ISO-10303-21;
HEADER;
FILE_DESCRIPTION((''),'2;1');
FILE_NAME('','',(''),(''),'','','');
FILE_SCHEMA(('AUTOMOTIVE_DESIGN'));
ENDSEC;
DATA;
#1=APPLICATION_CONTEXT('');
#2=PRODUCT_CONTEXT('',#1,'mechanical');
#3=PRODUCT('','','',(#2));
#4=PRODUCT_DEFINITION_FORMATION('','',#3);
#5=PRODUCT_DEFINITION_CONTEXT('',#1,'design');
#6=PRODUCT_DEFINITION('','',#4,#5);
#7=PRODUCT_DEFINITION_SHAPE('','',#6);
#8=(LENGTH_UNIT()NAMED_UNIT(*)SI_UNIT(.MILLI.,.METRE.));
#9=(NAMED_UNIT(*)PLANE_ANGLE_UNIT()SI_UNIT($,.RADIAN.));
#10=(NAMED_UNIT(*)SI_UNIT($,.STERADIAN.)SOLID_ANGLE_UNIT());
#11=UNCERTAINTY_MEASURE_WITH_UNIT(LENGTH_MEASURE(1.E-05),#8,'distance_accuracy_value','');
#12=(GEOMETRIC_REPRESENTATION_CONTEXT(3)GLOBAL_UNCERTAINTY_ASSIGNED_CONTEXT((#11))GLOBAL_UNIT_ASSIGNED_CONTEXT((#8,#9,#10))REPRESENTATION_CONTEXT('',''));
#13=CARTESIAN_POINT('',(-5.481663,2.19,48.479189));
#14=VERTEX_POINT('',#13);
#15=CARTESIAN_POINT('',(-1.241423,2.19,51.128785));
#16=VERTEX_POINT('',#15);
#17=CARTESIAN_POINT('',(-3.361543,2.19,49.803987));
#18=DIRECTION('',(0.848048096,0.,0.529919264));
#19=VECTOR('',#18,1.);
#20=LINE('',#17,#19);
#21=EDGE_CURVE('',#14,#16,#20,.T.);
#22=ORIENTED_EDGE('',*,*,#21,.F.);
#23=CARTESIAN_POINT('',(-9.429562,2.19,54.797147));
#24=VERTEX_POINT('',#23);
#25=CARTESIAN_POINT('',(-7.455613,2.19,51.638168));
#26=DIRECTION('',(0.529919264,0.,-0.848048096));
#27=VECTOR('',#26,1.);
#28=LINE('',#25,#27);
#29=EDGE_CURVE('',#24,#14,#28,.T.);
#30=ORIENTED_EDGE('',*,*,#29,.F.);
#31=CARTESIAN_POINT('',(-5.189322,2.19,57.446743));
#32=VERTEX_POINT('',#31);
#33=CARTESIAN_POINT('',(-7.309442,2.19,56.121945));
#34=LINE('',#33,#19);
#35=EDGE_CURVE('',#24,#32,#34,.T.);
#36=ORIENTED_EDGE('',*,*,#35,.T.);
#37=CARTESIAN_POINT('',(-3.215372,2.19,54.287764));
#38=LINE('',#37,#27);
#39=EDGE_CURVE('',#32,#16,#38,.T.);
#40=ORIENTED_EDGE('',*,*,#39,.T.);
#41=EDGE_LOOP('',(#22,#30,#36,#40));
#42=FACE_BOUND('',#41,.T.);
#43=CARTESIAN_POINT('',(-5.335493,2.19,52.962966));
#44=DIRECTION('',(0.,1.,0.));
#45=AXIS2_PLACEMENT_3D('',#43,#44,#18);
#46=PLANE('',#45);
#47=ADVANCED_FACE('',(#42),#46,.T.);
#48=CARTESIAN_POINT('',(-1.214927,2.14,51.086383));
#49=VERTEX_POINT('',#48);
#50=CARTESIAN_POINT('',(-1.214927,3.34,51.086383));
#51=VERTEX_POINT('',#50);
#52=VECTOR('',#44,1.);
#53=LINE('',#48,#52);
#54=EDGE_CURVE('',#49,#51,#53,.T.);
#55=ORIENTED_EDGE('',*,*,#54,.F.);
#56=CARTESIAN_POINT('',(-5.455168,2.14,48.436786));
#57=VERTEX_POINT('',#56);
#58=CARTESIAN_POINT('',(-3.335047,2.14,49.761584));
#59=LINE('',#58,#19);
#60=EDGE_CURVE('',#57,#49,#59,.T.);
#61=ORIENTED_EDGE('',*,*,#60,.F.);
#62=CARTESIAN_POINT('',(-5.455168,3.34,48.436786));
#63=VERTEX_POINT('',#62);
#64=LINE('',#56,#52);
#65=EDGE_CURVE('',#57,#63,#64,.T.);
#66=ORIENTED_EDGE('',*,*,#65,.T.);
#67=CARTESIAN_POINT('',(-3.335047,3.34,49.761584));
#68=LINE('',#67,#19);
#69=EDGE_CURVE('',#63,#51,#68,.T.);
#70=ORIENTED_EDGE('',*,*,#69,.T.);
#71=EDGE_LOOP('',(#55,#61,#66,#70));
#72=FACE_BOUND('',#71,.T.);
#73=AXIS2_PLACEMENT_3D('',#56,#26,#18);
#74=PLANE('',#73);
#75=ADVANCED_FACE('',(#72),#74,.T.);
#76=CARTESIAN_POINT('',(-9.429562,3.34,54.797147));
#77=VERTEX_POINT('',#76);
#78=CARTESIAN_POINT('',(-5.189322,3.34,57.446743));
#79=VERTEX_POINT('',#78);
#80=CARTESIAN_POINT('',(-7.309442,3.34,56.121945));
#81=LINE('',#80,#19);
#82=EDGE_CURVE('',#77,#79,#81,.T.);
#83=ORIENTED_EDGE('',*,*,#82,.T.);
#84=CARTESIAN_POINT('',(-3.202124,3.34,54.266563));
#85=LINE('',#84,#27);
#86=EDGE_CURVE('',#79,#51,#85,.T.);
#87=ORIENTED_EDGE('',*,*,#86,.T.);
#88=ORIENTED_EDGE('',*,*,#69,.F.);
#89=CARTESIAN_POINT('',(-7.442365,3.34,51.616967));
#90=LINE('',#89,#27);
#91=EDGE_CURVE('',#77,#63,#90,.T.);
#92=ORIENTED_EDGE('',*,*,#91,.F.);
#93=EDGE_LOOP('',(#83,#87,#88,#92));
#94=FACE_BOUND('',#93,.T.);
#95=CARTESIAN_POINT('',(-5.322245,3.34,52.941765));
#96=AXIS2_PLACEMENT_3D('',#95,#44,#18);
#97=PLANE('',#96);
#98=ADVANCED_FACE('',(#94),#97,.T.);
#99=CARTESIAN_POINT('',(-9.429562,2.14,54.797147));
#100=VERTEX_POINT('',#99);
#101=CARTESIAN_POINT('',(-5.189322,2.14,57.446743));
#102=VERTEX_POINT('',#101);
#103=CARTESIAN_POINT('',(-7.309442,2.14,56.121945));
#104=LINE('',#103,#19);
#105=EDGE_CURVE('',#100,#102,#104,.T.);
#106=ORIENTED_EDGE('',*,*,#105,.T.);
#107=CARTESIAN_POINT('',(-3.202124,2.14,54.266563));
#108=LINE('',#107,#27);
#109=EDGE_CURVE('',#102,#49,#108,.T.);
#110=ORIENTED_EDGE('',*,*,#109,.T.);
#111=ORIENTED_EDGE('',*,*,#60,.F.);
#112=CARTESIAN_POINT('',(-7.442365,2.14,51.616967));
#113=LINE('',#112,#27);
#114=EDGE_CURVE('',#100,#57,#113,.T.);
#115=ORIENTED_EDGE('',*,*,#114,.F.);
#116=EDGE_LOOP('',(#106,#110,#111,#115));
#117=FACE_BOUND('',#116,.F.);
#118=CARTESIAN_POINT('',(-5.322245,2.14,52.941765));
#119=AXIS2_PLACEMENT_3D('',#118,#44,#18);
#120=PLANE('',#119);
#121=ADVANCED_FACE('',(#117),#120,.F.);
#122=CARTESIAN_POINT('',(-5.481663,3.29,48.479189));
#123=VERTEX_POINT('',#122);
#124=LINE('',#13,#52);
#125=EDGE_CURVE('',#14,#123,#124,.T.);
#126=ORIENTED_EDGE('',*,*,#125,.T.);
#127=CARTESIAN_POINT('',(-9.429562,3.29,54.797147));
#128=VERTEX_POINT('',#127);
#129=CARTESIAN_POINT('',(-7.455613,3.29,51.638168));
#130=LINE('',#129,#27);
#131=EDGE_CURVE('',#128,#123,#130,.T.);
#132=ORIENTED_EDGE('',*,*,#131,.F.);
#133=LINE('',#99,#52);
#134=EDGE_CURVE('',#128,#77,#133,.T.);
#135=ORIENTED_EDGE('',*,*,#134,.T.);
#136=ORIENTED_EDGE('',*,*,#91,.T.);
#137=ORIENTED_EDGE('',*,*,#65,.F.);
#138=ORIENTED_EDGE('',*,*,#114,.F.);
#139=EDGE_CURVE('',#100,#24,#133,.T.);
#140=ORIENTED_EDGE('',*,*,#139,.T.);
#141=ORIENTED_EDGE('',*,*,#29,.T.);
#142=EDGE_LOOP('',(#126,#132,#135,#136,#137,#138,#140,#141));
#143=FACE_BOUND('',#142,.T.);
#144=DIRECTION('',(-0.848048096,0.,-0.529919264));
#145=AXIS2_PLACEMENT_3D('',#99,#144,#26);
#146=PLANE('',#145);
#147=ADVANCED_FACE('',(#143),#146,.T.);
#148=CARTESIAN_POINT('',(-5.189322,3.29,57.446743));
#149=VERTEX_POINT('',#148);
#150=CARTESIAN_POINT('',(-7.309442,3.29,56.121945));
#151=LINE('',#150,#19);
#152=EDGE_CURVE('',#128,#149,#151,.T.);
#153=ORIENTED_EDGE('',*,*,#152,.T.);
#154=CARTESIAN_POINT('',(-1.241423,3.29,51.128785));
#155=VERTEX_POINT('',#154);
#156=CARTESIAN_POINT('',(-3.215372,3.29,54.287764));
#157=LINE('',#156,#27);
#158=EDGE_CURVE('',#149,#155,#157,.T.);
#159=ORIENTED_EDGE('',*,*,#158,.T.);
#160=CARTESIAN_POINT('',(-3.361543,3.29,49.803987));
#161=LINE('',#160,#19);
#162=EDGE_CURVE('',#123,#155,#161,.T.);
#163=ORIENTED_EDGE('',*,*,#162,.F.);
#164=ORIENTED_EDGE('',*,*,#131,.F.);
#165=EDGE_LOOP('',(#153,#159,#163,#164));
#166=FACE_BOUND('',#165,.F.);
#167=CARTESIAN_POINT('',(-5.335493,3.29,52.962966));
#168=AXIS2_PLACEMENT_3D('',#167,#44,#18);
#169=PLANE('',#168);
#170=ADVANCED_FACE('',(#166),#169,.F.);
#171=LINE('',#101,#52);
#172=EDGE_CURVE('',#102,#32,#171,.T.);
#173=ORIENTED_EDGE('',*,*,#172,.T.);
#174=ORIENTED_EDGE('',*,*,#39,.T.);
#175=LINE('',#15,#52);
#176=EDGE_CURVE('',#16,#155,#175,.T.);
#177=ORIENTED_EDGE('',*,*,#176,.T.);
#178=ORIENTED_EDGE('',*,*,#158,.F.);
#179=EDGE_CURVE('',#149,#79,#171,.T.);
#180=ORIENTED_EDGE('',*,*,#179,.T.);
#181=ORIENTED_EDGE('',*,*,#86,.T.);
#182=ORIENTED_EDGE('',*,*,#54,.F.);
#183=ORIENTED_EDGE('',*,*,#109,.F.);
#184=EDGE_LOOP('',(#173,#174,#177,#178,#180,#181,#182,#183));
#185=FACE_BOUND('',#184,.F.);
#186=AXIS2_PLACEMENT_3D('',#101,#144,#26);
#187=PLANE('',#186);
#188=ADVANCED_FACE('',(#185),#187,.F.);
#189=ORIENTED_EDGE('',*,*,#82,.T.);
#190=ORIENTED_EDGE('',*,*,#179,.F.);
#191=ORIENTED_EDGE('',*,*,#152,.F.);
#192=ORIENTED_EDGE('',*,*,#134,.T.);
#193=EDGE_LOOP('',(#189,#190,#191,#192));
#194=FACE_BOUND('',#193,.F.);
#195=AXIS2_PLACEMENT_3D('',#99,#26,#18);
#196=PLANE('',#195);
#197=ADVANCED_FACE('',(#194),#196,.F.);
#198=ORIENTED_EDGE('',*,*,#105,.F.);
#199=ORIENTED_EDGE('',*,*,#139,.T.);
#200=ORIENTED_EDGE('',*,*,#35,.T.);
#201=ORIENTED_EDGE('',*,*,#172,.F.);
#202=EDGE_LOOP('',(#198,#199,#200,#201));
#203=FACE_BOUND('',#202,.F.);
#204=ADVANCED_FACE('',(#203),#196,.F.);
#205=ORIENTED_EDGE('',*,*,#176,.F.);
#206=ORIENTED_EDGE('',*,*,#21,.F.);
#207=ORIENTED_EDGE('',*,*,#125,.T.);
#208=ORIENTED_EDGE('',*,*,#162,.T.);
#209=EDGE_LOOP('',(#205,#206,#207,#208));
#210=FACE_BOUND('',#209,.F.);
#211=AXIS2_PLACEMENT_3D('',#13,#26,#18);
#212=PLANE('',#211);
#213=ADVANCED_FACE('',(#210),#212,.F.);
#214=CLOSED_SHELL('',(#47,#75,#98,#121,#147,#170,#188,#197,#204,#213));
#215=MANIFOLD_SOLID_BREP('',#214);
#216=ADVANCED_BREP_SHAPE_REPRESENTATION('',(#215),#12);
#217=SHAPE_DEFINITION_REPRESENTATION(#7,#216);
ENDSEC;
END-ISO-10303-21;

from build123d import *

# Parameters (mm, degrees)
BOX139_W           = 5
BOX139_H           = 7.45
BOX139_DEPTH       = 1.1
BOX138_W           = 5
BOX138_H           = 7.5
BOX138_DEPTH       = 1.2
CUT062_ROLL_ANGLE  = -90
CUT062_PITCH_ANGLE = -32


with BuildPart() as small_cu_gnd_electrode054:
    # Box139 → Box139 (new body)
    with BuildSketch(Plane.XY.offset(0.05)):
        with Locations((2.5, 3.725)):
            Rectangle(BOX139_W, BOX139_H)
    extrude(amount=BOX139_DEPTH)


with BuildPart() as small_cu_electrode001_long_axis_v005:
    # Box138 → Box138 (new body)
    with BuildSketch(Plane.XY):
        with Locations((2.5, 3.75)):
            Rectangle(BOX138_W, BOX138_H)
    extrude(amount=BOX138_DEPTH)

    # Cut062: cut Small Cu GND Electrode054
    add(small_cu_gnd_electrode054.part, mode=Mode.SUBTRACT)


with BuildPart() as small_cu_electrode001_long_axis_v005_1:
    # Cut062 roll: moved
    add(small_cu_electrode001_long_axis_v005.part.rotate(Axis((0, 0, 0), (1, 0, 0)), CUT062_ROLL_ANGLE))


with BuildPart() as small_cu_electrode001_long_axis_v005_2:
    # Cut062 pitch: moved
    add(small_cu_electrode001_long_axis_v005_1.part.rotate(Axis((0, 0, 0), (0, 1, 0)), CUT062_PITCH_ANGLE))


with BuildPart() as small_cu_electrode001_long_axis_v005_3:
    # Cut062 placement: moved
    add(small_cu_electrode001_long_axis_v005_2.part.moved(Location((-9.429562, 2.14, 54.797147))))


solid = small_cu_electrode001_long_axis_v005_3.part
